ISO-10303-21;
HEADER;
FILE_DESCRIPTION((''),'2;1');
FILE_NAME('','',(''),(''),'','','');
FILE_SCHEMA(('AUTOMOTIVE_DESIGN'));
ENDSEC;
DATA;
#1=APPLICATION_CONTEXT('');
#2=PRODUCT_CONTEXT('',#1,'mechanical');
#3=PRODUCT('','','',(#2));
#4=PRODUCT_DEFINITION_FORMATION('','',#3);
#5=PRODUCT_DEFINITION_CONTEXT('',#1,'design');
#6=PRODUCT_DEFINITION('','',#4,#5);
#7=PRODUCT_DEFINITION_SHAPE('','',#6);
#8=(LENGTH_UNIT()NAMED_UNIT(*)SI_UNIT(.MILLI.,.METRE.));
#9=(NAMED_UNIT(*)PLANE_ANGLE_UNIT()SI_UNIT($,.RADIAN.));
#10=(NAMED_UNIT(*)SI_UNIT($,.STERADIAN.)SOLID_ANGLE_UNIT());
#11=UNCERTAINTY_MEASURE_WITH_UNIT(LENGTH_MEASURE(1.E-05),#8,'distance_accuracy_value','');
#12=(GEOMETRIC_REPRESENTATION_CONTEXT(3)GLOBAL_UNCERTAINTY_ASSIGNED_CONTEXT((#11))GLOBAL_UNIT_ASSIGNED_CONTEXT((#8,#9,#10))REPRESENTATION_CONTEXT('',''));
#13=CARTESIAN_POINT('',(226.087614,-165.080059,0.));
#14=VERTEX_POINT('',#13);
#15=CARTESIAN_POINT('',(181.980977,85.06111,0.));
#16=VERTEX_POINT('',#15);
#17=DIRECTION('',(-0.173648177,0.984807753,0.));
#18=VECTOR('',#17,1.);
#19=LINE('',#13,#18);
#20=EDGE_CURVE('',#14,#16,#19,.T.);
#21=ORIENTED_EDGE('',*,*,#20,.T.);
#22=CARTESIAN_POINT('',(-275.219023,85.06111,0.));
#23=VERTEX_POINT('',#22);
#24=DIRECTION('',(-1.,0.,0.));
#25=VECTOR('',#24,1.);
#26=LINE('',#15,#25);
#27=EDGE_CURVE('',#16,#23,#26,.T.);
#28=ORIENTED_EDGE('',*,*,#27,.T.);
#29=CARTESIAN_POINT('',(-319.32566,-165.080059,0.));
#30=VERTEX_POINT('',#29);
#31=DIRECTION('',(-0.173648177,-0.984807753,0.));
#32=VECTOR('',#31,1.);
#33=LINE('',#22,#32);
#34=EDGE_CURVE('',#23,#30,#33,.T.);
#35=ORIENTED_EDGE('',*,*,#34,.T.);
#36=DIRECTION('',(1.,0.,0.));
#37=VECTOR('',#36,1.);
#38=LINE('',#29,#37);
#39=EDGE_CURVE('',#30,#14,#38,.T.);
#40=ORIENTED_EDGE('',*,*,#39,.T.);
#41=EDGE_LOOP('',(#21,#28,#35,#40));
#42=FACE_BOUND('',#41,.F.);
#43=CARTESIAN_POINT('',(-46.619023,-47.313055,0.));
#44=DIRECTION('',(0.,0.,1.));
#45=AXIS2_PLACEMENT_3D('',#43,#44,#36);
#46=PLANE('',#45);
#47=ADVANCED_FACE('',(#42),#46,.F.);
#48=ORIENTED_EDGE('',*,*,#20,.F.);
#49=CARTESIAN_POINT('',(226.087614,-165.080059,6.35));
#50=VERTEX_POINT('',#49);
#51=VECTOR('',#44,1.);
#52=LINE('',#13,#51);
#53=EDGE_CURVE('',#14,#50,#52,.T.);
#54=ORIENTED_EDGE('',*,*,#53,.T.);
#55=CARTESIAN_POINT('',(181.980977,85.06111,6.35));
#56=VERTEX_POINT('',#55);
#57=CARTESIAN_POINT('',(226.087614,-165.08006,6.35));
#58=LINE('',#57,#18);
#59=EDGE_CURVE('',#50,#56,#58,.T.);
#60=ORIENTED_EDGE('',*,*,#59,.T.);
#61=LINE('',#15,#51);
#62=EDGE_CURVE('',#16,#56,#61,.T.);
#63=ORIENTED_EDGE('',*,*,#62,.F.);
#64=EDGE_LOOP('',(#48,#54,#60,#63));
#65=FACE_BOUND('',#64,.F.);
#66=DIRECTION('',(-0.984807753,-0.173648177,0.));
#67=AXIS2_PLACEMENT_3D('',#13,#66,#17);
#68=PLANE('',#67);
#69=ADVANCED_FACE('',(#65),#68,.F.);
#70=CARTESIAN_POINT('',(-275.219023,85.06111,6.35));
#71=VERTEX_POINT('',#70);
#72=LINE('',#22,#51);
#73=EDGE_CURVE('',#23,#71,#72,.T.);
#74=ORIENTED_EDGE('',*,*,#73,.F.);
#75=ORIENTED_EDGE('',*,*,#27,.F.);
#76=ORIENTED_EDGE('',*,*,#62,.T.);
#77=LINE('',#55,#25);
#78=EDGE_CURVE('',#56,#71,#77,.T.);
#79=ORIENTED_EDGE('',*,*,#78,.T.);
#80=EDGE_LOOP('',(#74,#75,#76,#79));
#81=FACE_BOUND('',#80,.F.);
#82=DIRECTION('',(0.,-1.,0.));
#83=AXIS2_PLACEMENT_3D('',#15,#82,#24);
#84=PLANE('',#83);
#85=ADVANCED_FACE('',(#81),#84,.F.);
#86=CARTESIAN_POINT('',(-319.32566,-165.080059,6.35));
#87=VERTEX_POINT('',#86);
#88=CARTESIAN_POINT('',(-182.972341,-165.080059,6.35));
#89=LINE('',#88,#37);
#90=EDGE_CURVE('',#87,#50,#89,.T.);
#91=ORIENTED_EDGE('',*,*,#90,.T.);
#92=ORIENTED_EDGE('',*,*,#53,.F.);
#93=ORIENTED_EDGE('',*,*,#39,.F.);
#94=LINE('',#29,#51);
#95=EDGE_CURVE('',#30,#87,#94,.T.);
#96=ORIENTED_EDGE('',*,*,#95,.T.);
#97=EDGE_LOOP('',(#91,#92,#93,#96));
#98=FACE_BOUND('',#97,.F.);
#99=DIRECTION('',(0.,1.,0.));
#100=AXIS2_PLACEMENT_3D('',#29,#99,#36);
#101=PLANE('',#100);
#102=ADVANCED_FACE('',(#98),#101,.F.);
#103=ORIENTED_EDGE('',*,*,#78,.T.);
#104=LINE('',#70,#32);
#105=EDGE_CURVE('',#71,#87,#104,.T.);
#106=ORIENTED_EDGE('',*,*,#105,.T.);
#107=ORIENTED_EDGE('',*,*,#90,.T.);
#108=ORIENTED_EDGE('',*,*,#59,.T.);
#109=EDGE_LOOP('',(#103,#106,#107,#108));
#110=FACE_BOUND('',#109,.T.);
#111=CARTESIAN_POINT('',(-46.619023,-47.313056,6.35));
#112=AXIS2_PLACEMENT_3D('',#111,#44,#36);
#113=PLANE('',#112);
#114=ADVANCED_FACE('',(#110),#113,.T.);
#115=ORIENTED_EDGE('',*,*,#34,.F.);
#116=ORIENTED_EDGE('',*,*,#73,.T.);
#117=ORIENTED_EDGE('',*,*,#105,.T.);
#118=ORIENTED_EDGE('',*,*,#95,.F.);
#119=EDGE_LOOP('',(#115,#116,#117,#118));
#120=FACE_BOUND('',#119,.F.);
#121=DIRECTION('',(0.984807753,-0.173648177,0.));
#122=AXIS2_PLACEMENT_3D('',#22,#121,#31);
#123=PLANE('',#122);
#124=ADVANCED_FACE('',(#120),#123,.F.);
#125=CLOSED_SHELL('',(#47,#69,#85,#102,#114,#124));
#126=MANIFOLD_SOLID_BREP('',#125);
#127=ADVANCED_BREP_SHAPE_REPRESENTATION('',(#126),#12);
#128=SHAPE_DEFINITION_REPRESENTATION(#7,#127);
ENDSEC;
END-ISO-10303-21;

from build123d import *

# Parameters (mm, degrees)
F1_DEPTH = 12.7
F2_DEPTH = 6.35


with BuildPart() as f1:
    # F0 (on Top) → F1 (new body)
    with BuildSketch(Plane.XY):
        Polygon((181.980977, 85.06111), (-275.219023, 85.06111), (-319.32566, -165.080059), (226.087614, -165.080059), align=None)
    extrude(amount=F1_DEPTH)

    # F1_face (on face) → F2 (cut)
    with BuildSketch(Plane(origin=(-46.619023, -43.677518, 12.7), x_dir=(1, 0, 0), z_dir=(0, 0, 1))):
        Polygon((-272.706637, -121.402542), (272.706637, -121.402542), (228.6, 128.738628), (-228.6, 128.738628), align=None)
    extrude(amount=-F2_DEPTH, mode=Mode.SUBTRACT)


solid = f1.part
